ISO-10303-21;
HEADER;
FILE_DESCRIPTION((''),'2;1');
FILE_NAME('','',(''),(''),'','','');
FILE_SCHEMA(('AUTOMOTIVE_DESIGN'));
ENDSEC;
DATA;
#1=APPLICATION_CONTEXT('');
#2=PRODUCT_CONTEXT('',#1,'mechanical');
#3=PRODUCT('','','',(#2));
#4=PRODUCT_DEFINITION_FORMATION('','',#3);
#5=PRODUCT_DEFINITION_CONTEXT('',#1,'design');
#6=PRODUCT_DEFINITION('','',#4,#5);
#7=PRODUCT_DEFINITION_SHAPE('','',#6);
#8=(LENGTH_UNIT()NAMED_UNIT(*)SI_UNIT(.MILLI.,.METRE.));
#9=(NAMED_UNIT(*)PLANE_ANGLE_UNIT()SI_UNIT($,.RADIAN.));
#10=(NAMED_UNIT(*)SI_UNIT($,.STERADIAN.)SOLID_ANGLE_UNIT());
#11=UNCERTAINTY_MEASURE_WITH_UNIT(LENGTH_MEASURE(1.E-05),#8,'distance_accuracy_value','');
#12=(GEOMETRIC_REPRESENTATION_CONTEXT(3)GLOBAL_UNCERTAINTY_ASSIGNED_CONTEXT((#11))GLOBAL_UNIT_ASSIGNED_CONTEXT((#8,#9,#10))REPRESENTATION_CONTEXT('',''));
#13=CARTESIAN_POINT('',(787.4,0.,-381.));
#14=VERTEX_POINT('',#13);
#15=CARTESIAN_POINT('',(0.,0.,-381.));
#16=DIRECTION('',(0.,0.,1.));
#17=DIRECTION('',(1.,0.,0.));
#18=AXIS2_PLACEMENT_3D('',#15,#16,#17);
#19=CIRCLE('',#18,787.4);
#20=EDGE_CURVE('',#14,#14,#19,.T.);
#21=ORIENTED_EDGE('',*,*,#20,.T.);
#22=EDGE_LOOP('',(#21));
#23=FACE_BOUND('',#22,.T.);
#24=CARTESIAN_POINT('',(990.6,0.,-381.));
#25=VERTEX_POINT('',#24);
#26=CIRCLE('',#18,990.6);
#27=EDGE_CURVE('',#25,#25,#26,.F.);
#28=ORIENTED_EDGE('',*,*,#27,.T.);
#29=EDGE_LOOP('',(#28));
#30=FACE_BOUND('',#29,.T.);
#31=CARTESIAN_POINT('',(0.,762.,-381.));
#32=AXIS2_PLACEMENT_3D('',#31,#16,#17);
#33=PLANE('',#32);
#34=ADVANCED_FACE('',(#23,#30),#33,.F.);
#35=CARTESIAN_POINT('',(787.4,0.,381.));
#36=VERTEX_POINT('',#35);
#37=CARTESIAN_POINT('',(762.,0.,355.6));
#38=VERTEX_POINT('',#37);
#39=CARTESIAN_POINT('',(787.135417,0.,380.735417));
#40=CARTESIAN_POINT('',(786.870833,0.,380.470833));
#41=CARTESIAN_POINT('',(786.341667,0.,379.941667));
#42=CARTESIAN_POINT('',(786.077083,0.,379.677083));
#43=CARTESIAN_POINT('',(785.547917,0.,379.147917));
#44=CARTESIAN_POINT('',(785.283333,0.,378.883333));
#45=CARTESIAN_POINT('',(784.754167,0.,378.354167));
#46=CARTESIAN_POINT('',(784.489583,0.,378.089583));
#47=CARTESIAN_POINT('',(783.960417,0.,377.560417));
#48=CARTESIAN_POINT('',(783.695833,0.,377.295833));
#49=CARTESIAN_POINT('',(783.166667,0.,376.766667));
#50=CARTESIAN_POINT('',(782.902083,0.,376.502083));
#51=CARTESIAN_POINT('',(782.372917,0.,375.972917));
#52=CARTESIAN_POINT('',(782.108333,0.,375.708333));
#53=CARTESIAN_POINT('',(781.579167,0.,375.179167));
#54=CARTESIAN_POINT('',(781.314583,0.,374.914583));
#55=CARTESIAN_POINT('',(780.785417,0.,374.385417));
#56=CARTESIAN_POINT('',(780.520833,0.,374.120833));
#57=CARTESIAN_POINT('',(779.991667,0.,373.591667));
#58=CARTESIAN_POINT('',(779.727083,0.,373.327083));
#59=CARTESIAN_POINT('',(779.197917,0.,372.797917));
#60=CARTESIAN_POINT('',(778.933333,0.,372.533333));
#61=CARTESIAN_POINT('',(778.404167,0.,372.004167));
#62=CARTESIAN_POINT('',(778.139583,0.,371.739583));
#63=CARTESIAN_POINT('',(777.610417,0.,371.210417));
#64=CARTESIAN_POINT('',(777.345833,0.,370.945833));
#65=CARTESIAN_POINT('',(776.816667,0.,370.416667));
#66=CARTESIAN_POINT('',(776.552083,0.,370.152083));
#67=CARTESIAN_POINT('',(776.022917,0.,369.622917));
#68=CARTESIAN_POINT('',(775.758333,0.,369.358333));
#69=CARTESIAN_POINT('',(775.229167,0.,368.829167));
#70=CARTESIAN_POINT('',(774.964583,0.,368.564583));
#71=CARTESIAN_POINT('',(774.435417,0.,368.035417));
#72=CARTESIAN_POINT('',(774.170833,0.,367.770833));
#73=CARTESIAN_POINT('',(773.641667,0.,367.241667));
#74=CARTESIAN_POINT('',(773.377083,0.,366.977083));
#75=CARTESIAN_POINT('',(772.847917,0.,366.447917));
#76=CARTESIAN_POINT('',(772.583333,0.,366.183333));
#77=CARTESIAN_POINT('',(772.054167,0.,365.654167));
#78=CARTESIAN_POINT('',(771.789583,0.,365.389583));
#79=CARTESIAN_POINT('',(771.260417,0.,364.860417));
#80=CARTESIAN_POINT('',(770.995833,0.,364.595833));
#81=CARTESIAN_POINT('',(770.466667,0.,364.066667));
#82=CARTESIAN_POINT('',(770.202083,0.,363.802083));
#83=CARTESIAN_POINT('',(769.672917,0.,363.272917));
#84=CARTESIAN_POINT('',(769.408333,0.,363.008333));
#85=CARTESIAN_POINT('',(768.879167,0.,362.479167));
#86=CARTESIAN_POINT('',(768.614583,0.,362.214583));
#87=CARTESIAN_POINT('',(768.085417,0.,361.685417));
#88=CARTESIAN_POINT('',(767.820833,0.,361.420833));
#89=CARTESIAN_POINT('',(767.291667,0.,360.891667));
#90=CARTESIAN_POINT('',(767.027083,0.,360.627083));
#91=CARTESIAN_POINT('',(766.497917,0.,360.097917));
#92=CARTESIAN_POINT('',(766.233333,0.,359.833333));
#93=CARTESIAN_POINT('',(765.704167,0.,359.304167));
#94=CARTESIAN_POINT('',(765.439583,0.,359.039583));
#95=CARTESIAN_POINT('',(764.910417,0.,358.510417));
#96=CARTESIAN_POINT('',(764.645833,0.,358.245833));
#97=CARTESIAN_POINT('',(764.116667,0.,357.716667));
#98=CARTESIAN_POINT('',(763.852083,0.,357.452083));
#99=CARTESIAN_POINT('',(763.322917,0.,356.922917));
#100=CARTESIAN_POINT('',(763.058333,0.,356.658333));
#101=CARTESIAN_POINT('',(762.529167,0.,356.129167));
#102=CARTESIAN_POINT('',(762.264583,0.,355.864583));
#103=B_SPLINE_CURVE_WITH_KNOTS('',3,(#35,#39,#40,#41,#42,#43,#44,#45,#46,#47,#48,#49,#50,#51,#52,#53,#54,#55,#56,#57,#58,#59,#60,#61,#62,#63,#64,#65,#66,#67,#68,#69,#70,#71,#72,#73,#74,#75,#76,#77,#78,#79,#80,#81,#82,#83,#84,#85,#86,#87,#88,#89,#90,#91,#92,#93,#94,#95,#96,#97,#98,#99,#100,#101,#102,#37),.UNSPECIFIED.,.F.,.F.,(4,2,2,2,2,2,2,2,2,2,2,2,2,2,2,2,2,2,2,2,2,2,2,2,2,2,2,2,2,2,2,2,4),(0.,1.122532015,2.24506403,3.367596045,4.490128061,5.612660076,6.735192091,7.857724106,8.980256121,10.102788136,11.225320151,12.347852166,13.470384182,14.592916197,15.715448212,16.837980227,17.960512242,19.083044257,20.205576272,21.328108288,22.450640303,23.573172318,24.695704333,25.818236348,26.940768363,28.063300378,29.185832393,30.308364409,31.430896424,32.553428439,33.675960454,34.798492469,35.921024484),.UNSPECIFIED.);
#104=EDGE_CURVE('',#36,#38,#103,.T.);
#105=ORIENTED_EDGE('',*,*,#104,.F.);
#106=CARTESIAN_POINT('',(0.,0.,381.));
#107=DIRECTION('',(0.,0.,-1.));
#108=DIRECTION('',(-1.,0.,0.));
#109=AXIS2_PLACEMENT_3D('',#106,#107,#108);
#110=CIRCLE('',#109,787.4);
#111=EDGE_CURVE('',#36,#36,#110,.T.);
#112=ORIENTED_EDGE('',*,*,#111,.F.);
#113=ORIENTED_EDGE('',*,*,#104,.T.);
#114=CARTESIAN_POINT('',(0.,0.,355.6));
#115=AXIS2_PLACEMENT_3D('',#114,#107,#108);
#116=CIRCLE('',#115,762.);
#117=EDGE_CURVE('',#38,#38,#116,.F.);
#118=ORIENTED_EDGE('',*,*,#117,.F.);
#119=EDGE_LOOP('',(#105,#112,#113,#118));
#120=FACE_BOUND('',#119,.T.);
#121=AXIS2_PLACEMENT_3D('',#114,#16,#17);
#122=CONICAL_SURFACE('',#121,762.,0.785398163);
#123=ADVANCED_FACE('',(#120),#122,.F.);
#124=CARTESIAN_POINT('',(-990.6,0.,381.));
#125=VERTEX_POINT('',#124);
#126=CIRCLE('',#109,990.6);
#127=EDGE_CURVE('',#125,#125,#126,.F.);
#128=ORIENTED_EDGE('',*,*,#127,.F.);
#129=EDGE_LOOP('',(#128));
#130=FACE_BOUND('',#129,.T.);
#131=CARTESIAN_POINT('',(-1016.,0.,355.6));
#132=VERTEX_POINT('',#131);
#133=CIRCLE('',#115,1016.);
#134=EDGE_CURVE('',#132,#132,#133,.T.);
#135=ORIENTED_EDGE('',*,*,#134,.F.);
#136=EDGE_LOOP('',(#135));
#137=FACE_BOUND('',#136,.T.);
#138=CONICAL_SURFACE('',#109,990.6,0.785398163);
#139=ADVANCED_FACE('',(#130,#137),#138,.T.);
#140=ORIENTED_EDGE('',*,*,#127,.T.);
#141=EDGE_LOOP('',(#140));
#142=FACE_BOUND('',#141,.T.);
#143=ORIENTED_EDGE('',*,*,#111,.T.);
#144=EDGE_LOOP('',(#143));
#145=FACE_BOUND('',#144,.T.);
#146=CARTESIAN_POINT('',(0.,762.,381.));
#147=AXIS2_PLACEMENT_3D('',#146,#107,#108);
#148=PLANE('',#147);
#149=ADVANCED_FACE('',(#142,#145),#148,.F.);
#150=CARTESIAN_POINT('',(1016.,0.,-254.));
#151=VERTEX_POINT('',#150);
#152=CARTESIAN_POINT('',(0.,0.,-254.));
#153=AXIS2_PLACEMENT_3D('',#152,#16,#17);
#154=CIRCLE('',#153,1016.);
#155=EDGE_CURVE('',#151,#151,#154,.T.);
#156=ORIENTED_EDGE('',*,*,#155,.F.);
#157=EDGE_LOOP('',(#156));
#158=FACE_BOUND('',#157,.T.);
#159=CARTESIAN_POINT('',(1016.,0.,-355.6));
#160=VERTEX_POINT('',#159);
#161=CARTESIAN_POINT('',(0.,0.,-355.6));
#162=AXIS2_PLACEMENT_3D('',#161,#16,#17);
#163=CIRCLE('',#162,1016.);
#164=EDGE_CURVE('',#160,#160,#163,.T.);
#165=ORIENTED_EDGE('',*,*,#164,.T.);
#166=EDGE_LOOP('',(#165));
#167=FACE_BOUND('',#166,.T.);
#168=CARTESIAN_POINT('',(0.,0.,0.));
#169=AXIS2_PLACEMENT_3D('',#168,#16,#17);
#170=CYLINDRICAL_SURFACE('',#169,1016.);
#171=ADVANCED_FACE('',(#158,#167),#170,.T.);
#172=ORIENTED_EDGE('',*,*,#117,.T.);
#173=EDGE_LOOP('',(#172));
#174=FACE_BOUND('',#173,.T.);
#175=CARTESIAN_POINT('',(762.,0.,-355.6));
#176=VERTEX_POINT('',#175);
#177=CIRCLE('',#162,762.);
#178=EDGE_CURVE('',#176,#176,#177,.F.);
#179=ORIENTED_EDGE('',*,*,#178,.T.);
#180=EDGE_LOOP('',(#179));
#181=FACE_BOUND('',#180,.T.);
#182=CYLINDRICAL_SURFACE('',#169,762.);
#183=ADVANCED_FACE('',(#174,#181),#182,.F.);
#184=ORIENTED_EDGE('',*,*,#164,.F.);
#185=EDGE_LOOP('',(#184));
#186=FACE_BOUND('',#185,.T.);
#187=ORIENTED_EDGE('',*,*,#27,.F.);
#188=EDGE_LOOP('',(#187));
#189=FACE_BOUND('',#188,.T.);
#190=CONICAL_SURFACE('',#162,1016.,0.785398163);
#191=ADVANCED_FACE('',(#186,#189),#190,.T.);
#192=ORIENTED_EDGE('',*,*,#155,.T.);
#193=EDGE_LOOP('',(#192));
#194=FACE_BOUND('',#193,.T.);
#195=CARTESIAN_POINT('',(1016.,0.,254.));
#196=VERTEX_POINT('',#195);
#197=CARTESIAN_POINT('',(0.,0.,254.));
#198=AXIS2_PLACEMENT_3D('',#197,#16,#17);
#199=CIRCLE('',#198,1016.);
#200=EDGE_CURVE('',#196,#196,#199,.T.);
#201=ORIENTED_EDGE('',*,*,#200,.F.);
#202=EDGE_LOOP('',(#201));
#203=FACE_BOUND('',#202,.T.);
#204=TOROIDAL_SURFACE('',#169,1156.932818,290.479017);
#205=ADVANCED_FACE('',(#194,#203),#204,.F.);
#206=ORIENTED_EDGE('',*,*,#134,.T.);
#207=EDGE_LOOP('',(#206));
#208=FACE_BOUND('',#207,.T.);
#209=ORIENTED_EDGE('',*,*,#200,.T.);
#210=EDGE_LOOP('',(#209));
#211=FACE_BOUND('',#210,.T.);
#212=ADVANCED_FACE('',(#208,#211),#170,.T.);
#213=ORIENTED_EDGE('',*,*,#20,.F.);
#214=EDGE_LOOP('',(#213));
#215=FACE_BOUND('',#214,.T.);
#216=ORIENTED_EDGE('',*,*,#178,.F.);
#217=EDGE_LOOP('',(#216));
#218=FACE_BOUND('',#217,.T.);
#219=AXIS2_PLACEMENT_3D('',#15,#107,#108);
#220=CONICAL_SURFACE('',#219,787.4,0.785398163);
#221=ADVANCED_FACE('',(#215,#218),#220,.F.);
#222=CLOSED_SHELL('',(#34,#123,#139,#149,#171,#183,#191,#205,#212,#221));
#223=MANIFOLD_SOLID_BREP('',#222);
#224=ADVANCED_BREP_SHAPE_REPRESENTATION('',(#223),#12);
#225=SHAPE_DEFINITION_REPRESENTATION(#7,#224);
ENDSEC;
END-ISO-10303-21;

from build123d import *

# Parameters (mm, degrees)
CHAMFER1_SIZE = 25.4


with BuildPart() as part:
    # Sketch1 → Revolve1 (revolve)
    with BuildSketch(Plane(origin=(0, 0, 0), x_dir=(0, 0, -1), z_dir=(1, 0, 0)), mode=Mode.PRIVATE) as revolve1_sk:
        with BuildLine():
            Line((-381, 762), (381, 762))
            Line((381, 762), (381, 1016))
            Line((381, 1016), (254, 1016))
            ThreePointArc((254, 1016), (0, 866.453801319), (-254, 1016))
            Line((-254, 1016), (-381, 1016))
            Line((-381, 1016), (-381, 762))
        make_face()
    revolve(revolve1_sk.sketch.rotate(Axis((0, 0, 0), (0, 0, -1)), 90), axis=Axis((0, 0, 0), (0, 0, -1)))

    # Chamfer1
    chamfer1_edges = [part.edges().sort_by_distance(p)[0] for p in [
        (-1016, 0, -381),
        (-762, 0, -381),
        (-762, 0, 381),
        (-1016, 0, 381),
    ]]
    chamfer(chamfer1_edges, length=CHAMFER1_SIZE)


solid = part.part
